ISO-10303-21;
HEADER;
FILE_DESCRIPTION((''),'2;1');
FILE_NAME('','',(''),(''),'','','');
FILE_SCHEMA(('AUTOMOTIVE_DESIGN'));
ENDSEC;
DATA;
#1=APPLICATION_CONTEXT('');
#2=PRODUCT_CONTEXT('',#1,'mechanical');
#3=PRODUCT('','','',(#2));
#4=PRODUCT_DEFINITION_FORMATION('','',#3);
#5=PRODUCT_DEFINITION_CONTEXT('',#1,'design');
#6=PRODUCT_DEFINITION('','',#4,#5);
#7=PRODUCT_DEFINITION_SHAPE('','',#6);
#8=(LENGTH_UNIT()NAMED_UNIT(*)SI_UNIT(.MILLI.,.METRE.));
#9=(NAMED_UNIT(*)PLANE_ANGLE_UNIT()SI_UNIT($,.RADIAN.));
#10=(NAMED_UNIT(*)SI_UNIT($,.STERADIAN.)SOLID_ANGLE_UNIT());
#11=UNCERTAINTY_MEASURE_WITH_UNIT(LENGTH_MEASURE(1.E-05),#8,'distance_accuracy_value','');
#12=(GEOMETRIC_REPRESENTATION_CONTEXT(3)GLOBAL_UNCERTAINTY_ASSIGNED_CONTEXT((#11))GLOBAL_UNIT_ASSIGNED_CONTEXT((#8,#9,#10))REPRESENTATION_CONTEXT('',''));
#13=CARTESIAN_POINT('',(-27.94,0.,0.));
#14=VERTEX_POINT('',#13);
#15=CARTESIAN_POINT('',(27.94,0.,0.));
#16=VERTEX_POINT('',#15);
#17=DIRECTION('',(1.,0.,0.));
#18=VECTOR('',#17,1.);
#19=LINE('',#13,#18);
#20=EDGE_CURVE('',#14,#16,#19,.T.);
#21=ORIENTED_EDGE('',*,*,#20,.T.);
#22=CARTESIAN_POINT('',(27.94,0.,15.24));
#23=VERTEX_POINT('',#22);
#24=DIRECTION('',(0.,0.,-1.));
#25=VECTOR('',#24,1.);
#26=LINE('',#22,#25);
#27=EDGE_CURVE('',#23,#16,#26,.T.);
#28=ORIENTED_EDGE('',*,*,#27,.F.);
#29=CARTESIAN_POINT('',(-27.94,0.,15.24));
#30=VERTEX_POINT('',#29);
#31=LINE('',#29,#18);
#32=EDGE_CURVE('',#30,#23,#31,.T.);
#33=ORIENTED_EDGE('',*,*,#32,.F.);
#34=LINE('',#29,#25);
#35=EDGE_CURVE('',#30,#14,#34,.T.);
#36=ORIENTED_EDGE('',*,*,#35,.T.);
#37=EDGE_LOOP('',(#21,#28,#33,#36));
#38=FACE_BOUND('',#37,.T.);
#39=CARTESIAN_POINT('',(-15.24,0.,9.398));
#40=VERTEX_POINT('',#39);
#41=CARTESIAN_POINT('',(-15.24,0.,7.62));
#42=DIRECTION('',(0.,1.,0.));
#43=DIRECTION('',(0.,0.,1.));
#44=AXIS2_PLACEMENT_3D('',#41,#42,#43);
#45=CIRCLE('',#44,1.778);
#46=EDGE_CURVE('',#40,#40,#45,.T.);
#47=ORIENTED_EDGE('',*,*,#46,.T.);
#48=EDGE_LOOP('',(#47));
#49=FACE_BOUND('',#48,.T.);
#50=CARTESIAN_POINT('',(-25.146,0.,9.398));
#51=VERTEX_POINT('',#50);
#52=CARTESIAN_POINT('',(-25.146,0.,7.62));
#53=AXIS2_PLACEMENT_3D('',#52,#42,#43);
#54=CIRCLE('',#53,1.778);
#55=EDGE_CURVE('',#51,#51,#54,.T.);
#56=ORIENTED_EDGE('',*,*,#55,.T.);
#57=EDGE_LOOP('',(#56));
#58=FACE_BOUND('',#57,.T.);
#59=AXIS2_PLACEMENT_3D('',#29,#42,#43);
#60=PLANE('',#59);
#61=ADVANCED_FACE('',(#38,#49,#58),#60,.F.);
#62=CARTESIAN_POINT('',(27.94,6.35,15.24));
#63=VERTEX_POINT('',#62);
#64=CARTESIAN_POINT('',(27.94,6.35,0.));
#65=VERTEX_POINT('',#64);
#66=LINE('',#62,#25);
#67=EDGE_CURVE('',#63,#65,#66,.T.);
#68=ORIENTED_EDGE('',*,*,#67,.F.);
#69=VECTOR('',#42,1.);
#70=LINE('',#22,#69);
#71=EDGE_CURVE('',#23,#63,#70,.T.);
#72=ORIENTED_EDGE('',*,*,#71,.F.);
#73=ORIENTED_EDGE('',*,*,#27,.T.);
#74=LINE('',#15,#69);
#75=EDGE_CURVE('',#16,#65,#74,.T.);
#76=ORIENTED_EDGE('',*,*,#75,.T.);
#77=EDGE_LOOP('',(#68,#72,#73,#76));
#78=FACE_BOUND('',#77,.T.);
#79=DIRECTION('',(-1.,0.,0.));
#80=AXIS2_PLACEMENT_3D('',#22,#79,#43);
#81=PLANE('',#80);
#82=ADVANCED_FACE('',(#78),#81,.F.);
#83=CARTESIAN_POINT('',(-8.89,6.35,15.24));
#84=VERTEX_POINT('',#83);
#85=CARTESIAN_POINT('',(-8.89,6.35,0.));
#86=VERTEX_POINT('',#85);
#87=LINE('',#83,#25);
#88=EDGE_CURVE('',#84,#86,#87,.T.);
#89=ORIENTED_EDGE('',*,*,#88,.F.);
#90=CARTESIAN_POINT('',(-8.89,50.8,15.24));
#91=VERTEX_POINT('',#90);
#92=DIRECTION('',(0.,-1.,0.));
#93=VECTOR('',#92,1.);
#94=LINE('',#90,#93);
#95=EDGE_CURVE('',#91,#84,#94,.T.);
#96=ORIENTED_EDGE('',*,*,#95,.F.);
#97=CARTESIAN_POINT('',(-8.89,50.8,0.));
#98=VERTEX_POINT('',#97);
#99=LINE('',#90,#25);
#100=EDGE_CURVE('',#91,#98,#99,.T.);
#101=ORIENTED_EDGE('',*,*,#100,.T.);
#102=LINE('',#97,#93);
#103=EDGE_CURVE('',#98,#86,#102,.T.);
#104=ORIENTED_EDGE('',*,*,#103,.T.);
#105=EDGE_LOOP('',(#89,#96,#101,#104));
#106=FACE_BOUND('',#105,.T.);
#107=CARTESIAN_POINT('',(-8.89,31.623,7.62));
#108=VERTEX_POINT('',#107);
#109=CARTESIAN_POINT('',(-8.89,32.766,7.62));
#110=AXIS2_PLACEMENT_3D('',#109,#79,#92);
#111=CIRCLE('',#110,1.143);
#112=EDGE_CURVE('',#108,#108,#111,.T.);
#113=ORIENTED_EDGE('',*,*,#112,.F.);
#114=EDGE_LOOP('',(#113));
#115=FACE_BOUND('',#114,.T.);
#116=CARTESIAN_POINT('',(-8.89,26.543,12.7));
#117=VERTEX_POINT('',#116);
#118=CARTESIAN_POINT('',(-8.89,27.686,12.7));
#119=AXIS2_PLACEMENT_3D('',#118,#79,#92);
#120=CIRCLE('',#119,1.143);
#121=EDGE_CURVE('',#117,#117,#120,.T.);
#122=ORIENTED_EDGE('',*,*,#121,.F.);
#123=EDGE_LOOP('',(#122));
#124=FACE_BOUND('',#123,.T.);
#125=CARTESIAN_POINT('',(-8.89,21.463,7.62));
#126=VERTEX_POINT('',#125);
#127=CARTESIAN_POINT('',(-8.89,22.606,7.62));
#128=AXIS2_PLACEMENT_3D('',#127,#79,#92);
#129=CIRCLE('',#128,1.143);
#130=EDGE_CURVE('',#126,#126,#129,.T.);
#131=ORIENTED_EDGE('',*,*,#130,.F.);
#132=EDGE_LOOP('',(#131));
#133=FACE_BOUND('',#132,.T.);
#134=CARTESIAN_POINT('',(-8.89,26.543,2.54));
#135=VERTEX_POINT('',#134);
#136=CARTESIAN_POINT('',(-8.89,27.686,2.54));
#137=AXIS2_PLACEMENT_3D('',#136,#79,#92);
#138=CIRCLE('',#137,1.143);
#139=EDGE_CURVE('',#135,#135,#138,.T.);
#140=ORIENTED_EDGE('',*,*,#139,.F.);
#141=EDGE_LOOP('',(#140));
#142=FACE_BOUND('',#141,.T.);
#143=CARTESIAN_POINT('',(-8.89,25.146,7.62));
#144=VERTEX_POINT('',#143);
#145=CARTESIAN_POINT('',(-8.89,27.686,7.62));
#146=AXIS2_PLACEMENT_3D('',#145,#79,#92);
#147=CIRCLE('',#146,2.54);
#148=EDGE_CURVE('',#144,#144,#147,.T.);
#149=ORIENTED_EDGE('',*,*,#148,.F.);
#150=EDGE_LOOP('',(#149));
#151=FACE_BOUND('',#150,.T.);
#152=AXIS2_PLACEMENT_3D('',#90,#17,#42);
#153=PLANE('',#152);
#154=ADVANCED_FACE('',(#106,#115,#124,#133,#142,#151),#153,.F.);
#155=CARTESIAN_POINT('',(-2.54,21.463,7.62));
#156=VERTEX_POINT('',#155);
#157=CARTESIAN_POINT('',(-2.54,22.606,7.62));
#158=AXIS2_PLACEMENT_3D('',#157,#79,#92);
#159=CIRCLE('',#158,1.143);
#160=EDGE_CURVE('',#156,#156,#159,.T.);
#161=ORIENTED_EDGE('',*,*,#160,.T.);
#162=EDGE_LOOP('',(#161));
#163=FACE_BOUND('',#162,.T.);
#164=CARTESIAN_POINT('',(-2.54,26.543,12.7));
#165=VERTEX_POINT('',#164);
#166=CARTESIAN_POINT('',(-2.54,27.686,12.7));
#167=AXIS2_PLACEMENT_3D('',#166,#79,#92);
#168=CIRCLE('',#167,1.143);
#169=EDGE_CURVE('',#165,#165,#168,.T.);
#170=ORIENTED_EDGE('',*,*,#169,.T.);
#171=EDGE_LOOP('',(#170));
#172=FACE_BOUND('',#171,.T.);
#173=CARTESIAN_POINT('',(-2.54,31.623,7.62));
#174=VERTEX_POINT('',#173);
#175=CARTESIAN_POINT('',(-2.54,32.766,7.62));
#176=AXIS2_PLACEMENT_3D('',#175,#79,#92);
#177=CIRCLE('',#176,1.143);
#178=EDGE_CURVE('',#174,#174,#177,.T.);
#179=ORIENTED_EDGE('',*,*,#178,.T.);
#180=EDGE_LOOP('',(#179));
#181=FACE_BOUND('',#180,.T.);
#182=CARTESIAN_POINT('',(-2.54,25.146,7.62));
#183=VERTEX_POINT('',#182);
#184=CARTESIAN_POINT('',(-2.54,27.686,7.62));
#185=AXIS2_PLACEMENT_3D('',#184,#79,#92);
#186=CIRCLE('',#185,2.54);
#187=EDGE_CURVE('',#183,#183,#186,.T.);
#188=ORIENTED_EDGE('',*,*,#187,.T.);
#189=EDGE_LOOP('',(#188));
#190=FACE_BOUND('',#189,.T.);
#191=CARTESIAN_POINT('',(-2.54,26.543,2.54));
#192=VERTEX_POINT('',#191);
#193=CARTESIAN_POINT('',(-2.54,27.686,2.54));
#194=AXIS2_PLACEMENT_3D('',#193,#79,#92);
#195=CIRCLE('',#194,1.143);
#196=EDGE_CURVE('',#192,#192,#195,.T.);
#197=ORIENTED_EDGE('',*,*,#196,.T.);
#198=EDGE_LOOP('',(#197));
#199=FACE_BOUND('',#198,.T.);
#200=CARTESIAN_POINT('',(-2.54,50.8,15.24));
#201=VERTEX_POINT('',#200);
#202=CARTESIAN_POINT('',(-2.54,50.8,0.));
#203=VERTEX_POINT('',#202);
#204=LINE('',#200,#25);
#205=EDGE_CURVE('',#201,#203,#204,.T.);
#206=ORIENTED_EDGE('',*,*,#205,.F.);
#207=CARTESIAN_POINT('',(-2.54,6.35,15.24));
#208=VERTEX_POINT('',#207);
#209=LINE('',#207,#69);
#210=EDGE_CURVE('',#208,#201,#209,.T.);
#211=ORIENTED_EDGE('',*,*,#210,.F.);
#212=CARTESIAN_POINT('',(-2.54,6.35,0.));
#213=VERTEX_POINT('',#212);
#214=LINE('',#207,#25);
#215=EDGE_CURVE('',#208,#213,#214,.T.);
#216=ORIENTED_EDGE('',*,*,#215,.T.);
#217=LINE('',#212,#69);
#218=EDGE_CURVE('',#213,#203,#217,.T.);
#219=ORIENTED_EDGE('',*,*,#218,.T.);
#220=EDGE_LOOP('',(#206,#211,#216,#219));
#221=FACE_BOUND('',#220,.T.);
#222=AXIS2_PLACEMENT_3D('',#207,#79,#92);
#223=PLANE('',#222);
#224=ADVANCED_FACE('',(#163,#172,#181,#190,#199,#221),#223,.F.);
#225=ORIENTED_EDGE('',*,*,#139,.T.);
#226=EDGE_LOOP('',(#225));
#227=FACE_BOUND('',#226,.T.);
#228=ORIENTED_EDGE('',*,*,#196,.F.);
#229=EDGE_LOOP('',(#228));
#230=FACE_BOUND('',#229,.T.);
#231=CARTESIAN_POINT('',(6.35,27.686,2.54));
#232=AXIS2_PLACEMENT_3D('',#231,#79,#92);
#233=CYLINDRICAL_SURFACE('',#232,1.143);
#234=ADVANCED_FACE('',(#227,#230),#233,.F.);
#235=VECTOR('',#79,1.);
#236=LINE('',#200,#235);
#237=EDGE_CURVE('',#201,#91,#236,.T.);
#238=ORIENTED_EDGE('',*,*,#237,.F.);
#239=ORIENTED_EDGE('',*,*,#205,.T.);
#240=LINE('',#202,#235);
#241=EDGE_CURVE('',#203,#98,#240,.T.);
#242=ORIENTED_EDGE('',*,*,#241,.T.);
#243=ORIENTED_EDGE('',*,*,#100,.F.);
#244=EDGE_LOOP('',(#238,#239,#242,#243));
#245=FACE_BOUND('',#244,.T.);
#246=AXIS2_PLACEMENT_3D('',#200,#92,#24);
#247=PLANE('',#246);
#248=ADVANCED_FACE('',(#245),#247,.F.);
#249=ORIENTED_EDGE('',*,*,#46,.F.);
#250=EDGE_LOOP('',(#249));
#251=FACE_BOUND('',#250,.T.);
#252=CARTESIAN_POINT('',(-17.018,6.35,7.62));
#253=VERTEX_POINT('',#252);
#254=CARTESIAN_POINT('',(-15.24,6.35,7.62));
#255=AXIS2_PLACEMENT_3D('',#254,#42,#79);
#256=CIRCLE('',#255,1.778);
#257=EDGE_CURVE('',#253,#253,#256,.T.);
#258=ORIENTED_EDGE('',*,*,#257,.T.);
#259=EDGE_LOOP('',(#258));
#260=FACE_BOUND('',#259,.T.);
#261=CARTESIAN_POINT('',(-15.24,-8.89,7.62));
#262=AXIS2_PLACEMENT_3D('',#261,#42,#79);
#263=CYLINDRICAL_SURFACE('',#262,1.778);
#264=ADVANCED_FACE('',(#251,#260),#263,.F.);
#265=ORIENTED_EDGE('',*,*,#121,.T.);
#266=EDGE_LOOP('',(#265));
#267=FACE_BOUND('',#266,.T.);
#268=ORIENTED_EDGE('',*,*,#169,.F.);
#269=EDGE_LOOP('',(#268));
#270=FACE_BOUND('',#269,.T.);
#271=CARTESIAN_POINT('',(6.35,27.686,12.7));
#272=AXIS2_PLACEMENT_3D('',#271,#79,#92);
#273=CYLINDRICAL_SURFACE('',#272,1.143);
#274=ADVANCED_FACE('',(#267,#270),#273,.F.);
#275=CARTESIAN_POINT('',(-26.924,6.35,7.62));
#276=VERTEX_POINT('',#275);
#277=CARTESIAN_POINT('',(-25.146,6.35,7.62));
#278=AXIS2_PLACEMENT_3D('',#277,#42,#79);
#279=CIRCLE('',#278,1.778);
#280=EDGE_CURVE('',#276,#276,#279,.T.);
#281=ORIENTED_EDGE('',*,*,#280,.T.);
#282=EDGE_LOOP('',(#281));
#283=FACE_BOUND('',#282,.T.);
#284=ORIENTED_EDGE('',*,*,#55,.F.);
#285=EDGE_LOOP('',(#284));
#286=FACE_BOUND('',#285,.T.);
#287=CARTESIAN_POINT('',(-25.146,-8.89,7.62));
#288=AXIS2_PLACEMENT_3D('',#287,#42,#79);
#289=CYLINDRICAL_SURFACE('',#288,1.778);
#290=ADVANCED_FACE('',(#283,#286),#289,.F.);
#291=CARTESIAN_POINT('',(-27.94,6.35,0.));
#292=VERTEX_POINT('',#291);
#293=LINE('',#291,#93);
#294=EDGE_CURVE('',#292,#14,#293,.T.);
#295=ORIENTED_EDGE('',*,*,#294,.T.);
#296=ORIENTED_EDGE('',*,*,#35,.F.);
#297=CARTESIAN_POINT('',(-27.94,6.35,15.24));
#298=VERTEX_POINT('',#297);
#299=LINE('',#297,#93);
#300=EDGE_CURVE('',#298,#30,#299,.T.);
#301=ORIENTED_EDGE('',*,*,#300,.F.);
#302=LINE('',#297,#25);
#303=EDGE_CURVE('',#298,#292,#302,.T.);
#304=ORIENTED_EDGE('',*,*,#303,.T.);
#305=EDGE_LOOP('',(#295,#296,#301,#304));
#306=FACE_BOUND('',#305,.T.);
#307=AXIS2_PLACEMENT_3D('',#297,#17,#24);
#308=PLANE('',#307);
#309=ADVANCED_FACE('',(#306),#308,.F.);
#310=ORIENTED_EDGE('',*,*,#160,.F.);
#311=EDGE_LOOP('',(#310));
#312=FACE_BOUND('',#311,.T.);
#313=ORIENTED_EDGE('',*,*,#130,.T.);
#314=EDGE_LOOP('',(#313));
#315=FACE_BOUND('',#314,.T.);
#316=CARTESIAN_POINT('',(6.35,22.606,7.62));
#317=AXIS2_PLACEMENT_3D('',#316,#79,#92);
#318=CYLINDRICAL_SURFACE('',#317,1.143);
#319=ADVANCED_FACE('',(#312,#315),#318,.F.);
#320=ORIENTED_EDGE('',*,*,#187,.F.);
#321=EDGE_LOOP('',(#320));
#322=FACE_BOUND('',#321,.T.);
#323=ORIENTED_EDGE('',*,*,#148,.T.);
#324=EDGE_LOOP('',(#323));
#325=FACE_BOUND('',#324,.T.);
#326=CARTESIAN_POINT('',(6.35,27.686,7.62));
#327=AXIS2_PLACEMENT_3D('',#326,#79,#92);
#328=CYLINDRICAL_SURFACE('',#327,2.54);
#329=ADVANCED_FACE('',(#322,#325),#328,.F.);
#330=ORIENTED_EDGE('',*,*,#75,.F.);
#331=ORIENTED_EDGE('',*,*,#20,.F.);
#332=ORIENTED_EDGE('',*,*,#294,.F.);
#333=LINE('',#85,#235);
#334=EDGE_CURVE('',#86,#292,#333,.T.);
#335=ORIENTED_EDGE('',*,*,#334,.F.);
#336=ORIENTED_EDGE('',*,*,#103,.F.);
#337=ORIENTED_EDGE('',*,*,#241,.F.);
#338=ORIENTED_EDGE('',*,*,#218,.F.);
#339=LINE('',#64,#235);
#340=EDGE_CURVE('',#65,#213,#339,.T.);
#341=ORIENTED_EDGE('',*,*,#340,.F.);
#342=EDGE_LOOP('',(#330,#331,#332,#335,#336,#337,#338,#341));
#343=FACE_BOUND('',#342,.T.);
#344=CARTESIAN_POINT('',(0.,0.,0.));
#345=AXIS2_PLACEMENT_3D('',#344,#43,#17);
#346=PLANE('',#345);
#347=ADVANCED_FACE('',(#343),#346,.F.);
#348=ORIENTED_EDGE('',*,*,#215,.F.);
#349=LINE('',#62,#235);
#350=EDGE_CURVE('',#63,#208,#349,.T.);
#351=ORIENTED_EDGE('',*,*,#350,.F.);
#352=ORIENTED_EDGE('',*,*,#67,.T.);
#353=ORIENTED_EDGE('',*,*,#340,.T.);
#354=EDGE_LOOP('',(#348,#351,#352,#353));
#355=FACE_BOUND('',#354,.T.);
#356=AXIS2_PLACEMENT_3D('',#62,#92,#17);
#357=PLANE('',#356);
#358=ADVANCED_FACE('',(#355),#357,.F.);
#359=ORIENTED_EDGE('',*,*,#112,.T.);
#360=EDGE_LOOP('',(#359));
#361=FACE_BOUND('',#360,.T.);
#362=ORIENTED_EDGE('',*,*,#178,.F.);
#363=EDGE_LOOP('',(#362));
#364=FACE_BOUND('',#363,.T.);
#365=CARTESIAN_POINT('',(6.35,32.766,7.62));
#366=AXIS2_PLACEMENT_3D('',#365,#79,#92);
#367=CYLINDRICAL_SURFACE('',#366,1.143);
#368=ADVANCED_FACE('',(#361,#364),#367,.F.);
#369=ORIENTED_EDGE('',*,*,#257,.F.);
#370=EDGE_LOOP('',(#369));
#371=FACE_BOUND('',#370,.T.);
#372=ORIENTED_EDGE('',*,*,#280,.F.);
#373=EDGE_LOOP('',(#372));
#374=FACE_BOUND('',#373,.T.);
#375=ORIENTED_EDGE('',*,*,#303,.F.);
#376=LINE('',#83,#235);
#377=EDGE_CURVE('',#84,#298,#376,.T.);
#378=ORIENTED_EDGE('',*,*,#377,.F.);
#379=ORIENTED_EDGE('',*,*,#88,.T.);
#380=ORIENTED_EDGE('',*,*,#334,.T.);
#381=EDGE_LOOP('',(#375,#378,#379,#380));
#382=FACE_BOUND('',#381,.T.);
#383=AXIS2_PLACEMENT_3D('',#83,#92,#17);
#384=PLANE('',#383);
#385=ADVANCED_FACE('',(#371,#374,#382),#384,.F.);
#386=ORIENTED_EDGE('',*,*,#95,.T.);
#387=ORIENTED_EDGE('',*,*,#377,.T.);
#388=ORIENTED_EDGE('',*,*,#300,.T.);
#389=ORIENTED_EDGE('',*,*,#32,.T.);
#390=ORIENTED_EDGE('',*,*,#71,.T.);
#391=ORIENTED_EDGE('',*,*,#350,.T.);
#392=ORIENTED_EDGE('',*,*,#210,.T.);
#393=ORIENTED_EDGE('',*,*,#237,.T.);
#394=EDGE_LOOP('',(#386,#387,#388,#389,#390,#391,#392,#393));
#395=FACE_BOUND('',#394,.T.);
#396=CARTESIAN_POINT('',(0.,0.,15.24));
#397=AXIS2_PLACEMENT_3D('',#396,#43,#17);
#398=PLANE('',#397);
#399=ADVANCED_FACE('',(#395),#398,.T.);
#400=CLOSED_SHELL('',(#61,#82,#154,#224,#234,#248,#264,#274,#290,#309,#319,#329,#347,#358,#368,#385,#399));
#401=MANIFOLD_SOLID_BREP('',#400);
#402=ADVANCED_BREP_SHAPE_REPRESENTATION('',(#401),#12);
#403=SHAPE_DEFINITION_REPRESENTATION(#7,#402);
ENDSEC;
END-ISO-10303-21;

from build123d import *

# Parameters (mm, degrees)
BOSS_EXTRUDE1_DEPTH = 15.24
SKETCH5_R           = 1.143
SKETCH5_R_2         = 2.54
CUT_EXTRUDE1_DEPTH  = 15.24
SKETCH6_R           = 1.778
CUT_EXTRUDE2_DEPTH  = 15.24


with BuildPart() as part:
    # Sketch2 → Boss-Extrude1 (new body)
    with BuildSketch(Plane.XY):
        Polygon((-27.94, 0), (27.94, 0), (27.94, 6.35), (-2.54, 6.35), (-2.54, 50.8), (-8.89, 50.8), (-8.89, 6.35), (-27.94, 6.35), align=None)
    extrude(amount=BOSS_EXTRUDE1_DEPTH)

    # Sketch5 → Cut-Extrude1 (cut)
    with BuildSketch(Plane.ZY.offset(8.89)):
        with Locations((7.62, 32.766)):
            Circle(SKETCH5_R)
        with Locations((7.62, 27.686)):
            Circle(SKETCH5_R_2)
        with Locations((12.7, 27.686)):
            Circle(SKETCH5_R)
        with Locations((7.62, 22.606)):
            Circle(SKETCH5_R)
        with Locations((2.54, 27.686)):
            Circle(SKETCH5_R)
    extrude(amount=-CUT_EXTRUDE1_DEPTH, mode=Mode.SUBTRACT)

    # Sketch6 → Cut-Extrude2 (cut)
    with BuildSketch(Plane(origin=(0, 6.35, 0), x_dir=(1, 0, 0), z_dir=(0, 1, 0))):
        with Locations((-25.146, -7.62)):
            Circle(SKETCH6_R)
        with Locations((-15.24, -7.62)):
            Circle(SKETCH6_R)
    extrude(amount=-CUT_EXTRUDE2_DEPTH, mode=Mode.SUBTRACT)


solid = part.part
